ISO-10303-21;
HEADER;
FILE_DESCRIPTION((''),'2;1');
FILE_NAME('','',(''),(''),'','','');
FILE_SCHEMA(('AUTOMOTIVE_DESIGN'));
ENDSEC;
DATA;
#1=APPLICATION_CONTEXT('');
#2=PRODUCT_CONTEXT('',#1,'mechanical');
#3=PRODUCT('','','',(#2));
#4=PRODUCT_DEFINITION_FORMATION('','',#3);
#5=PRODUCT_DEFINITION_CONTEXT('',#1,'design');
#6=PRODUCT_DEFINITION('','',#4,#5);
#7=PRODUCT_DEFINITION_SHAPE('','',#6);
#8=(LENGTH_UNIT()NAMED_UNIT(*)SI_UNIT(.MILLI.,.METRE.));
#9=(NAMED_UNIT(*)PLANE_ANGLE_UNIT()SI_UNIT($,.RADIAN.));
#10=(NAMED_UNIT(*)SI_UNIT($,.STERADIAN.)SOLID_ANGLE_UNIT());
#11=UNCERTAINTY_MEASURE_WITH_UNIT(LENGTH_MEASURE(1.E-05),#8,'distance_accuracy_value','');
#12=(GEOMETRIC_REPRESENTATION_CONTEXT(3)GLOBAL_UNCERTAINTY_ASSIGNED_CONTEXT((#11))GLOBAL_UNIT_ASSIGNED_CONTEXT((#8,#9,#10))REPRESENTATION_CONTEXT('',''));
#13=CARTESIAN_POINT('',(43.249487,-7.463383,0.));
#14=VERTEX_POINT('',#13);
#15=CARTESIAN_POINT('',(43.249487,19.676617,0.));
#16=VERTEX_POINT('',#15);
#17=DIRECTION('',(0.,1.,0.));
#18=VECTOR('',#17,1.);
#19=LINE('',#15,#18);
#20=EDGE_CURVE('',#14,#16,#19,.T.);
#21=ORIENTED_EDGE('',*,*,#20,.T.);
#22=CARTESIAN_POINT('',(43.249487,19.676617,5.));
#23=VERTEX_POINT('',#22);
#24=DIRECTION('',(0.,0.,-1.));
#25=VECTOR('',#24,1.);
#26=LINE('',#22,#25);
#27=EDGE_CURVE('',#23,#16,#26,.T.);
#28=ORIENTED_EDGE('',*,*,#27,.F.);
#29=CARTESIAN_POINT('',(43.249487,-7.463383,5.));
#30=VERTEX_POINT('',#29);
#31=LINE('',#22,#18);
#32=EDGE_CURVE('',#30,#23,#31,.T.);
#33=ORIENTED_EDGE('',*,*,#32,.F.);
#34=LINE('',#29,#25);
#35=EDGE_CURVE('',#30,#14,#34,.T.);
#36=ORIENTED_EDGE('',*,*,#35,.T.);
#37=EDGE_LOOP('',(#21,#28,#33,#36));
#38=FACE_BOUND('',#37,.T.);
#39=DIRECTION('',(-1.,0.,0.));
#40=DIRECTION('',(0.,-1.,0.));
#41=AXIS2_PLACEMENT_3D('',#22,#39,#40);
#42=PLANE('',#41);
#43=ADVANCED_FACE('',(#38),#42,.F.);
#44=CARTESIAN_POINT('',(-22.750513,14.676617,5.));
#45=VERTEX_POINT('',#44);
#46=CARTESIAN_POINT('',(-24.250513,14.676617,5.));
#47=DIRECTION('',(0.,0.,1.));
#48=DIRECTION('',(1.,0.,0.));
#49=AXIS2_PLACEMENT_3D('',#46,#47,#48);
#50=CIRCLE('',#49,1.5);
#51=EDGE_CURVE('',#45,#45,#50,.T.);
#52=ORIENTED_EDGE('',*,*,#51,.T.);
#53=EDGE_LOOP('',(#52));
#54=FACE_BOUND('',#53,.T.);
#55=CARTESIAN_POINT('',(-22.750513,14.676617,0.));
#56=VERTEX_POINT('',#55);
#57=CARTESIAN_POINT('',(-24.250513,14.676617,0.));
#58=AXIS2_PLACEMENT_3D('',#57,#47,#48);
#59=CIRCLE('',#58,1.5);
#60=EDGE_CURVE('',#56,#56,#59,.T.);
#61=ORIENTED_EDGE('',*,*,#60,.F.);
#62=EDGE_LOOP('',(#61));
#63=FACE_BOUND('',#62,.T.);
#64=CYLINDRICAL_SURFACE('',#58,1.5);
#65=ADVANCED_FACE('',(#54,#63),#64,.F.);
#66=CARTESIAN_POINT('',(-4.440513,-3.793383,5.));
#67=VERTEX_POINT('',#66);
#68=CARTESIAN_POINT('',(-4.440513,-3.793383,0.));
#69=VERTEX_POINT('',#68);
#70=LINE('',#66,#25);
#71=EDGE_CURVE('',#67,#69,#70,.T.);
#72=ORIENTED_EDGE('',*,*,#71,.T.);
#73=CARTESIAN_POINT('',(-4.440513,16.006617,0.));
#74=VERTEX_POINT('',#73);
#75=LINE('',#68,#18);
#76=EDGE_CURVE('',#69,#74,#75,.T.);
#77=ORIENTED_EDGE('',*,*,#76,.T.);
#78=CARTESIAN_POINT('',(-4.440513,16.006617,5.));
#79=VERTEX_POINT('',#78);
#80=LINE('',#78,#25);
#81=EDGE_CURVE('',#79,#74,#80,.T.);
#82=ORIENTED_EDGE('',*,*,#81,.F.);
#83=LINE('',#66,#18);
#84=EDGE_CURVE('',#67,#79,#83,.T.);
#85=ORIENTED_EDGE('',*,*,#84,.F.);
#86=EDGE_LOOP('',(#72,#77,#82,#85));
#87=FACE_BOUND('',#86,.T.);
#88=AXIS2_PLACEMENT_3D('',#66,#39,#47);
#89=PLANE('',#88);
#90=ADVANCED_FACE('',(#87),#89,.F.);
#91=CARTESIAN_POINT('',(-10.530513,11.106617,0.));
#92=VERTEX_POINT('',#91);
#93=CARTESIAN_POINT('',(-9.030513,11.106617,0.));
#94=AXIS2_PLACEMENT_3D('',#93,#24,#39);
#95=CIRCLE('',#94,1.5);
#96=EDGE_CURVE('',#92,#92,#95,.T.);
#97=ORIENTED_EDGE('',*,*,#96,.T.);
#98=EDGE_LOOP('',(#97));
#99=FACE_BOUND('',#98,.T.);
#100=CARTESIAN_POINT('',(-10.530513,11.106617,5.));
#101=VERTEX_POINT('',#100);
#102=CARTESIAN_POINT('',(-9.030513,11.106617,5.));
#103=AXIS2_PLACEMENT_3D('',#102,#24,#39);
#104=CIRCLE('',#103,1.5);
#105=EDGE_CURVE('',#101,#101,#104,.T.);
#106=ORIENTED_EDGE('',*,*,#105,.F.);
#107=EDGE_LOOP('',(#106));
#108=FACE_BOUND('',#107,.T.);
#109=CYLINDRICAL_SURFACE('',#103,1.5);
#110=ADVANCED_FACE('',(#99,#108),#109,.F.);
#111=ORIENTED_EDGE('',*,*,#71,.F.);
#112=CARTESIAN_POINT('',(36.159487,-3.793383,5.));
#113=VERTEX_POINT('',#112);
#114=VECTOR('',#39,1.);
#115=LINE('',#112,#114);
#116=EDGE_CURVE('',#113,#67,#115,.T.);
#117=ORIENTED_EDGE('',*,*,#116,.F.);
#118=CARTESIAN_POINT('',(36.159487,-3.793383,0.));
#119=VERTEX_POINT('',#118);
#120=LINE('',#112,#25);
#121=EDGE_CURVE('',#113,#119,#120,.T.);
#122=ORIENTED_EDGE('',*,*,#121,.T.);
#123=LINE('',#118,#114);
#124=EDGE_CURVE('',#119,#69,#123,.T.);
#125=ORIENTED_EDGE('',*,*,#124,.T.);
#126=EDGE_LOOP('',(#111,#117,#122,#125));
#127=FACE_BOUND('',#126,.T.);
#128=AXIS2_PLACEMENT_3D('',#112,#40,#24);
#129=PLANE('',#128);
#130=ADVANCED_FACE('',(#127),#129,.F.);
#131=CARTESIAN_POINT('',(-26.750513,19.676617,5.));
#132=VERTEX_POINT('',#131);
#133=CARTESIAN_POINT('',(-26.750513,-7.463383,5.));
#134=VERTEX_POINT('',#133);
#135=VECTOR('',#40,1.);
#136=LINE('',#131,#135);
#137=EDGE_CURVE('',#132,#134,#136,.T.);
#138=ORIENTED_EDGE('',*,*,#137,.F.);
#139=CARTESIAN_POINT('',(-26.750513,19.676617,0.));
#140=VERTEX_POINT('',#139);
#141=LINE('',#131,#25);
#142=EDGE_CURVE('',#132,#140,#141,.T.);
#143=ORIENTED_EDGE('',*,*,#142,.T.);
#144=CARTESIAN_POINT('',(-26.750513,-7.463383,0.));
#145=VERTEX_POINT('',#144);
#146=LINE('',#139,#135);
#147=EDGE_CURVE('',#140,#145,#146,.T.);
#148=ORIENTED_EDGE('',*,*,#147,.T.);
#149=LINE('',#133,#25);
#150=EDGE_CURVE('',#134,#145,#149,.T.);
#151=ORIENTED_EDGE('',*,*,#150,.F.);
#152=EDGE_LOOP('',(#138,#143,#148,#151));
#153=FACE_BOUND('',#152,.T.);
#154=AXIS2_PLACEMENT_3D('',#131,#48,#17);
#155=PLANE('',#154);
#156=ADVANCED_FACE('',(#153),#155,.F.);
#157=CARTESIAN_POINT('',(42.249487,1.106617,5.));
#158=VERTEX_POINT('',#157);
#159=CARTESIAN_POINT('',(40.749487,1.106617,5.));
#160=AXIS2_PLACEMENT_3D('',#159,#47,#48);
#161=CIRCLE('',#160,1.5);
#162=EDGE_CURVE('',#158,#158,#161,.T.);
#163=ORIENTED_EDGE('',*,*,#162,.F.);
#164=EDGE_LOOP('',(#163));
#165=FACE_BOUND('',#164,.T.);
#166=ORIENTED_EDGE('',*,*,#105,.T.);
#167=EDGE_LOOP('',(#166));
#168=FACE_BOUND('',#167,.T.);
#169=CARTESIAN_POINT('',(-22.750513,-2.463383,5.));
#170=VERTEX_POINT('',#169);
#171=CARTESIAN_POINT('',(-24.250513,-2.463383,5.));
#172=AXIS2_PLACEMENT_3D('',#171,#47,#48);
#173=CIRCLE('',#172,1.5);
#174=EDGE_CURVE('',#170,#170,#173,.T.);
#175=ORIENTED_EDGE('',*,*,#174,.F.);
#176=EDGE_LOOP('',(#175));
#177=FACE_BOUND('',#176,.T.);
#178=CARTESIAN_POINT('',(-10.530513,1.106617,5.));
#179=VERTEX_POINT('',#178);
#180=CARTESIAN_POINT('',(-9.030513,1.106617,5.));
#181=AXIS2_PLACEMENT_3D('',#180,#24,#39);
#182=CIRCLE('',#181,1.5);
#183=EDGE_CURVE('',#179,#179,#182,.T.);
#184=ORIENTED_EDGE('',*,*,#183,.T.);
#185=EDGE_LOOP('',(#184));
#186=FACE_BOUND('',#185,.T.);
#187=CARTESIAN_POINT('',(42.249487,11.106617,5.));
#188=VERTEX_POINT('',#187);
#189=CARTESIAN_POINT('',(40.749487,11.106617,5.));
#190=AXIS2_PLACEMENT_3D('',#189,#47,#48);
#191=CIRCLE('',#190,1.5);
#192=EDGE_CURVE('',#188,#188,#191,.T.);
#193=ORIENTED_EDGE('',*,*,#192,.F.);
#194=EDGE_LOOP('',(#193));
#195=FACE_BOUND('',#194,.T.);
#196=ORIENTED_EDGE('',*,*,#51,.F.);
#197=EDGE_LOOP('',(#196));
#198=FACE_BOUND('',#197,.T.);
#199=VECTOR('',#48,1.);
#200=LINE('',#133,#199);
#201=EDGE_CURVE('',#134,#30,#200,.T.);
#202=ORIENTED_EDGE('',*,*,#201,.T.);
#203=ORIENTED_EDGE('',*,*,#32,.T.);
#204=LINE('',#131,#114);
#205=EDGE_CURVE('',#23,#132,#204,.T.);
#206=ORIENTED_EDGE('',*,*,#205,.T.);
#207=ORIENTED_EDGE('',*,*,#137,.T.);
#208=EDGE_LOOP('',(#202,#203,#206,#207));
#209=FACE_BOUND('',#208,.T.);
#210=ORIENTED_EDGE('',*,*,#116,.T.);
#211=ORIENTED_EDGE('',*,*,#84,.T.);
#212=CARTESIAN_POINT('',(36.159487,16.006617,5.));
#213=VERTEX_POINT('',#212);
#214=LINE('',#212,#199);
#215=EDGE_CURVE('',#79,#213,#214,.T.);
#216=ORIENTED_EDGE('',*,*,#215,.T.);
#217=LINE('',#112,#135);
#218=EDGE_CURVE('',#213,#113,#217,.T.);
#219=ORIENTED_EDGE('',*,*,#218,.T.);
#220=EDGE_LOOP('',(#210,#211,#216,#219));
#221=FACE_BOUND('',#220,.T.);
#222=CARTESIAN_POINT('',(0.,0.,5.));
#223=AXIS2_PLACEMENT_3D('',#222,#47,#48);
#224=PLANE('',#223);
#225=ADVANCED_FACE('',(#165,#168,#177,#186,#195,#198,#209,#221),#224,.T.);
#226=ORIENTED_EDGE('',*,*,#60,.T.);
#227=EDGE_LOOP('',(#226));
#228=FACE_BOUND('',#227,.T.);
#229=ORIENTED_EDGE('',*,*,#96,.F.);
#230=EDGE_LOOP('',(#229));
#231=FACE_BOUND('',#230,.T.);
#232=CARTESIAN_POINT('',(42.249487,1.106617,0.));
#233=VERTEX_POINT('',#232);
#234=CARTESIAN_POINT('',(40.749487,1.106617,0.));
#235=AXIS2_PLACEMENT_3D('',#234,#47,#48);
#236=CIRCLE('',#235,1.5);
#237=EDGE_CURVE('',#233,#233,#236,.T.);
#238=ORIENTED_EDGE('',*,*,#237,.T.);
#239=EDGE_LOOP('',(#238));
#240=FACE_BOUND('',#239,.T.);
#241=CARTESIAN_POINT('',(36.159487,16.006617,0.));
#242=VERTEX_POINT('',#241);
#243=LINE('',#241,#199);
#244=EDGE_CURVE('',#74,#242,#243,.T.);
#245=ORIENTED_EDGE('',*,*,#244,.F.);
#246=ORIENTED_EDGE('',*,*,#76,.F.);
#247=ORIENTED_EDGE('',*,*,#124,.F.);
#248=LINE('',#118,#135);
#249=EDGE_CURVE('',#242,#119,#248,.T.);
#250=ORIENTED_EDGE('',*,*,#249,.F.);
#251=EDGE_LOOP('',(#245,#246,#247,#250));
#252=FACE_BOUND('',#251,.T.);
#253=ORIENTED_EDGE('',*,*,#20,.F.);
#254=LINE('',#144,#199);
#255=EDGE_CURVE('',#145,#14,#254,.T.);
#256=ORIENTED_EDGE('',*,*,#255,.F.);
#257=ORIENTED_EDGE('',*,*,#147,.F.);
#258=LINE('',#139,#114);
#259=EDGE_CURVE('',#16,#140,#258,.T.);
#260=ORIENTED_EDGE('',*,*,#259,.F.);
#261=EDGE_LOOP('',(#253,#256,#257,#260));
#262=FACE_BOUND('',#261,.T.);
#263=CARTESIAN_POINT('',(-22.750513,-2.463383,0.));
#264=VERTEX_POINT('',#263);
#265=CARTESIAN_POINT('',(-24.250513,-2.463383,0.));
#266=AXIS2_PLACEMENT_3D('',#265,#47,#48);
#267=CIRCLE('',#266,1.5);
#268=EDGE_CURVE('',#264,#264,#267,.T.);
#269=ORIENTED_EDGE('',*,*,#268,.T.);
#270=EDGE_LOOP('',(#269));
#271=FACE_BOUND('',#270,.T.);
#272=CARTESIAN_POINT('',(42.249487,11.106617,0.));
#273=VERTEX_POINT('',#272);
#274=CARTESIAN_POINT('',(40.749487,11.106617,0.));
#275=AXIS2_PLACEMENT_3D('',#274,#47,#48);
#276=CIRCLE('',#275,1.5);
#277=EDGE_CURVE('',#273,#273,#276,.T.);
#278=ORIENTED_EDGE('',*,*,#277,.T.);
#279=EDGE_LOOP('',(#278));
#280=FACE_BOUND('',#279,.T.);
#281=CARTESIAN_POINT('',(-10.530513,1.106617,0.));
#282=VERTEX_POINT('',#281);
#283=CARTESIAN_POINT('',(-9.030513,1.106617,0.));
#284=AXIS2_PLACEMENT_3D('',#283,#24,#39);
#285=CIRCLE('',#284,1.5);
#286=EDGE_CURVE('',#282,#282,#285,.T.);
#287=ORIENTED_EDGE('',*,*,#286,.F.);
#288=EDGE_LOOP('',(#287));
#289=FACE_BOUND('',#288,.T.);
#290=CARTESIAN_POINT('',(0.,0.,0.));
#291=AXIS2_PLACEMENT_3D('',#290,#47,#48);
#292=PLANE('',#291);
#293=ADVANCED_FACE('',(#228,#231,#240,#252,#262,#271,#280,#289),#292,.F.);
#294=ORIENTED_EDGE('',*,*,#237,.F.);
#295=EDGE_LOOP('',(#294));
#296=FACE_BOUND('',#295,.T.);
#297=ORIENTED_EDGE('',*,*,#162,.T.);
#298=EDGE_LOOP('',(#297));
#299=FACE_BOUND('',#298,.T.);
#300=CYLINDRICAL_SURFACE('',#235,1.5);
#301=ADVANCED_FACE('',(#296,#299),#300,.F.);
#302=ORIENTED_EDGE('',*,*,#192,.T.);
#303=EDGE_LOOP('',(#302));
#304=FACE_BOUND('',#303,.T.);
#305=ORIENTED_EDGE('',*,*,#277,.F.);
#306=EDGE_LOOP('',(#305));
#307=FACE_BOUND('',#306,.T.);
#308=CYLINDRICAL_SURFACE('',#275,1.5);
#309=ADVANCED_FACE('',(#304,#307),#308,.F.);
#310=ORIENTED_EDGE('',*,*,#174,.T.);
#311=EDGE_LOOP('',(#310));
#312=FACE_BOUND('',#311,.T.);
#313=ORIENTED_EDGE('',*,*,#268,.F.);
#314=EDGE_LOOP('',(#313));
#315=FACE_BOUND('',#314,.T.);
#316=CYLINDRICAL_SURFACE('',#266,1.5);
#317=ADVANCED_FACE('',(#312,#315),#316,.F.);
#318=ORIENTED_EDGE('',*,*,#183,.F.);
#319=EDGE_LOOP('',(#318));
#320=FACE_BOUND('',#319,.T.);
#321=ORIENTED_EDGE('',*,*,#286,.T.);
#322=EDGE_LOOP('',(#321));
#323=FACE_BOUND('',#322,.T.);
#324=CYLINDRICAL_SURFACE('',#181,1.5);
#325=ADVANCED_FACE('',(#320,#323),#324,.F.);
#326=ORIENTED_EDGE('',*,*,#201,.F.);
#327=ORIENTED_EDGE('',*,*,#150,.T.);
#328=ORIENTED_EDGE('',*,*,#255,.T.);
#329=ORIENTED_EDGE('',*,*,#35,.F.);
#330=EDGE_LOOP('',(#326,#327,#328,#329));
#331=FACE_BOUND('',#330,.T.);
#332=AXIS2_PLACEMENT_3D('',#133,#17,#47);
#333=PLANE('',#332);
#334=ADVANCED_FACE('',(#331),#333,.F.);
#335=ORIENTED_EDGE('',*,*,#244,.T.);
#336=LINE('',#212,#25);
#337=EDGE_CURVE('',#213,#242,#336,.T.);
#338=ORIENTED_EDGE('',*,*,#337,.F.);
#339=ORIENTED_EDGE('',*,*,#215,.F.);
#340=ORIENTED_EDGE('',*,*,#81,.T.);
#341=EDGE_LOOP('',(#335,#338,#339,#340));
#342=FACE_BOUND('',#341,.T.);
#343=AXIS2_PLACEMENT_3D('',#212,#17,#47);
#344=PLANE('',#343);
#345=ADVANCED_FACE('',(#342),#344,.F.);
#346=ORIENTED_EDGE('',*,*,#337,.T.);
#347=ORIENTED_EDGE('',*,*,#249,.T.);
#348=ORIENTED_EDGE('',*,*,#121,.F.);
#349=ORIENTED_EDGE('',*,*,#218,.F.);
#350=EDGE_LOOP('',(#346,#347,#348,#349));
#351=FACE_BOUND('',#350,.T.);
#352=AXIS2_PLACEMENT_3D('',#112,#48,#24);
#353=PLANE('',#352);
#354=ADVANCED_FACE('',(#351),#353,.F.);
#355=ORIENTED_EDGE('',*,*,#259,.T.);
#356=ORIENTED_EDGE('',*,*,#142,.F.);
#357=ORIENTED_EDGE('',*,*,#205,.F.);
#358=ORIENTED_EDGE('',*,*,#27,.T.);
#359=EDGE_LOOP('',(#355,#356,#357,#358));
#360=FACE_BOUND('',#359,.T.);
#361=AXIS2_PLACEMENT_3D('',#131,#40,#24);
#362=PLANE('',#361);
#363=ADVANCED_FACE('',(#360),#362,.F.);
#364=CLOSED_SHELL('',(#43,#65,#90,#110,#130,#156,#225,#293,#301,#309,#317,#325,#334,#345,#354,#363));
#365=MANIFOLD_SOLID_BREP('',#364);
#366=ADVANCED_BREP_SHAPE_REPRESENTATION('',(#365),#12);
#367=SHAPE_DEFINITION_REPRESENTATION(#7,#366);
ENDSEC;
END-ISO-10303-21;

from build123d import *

# Parameters (mm, degrees)
ESBO_O1_W                = 70
ESBO_O1_H                = 27.14
RESSALTO_EXTRUS_O1_DEPTH = 5
ESBO_O2_R                = 1.5
CORTE_EXTRUS_O1_DEPTH    = 5
ESBO_O4_W                = 40.6
ESBO_O4_H                = 19.8
CORTE_EXTRUS_O2_DEPTH    = 6
ESBO_O5_R                = 1.5
CORTE_EXTRUS_O3_DEPTH    = 6


with BuildPart() as part:
    # Esboço1 → Ressalto-extrusão1 (new body)
    with BuildSketch(Plane.XY):
        with Locations((8.249487122, 6.106616915)):
            Rectangle(ESBO_O1_W, ESBO_O1_H)
    extrude(amount=RESSALTO_EXTRUS_O1_DEPTH)

    # Esboço2 → Corte-extrusão1 (cut)
    with BuildSketch(Plane.XY.offset(5)):
        with Locations((-24.250512878, 14.676616915)):
            Circle(ESBO_O2_R)
        with Locations((-24.250512878, -2.463383085)):
            Circle(ESBO_O2_R)
        with Locations((40.749487122, 11.106616915)):
            Circle(ESBO_O2_R)
        with Locations((40.749487122, 1.106616915)):
            Circle(ESBO_O2_R)
    extrude(amount=-CORTE_EXTRUS_O1_DEPTH, mode=Mode.SUBTRACT)

    # Esboço4 → Corte-extrusão2 (cut, through all)
    with BuildSketch(Plane(origin=(0, 0, 0), x_dir=(-1, 0, 0), z_dir=(0, 0, -1))):
        with Locations((-15.859487122, 6.106616915)):
            Rectangle(ESBO_O4_W, ESBO_O4_H)
    extrude(amount=-CORTE_EXTRUS_O2_DEPTH, mode=Mode.SUBTRACT)

    # Esboço5 → Corte-extrusão3 (cut, through all)
    with BuildSketch(Plane(origin=(0, 0, 0), x_dir=(-1, 0, 0), z_dir=(0, 0, -1))):
        with Locations((9.030512878, 1.106616915)):
            Circle(ESBO_O5_R)
        with Locations((9.030512878, 11.106616915)):
            Circle(ESBO_O5_R)
    extrude(amount=-CORTE_EXTRUS_O3_DEPTH, mode=Mode.SUBTRACT)


solid = part.part
